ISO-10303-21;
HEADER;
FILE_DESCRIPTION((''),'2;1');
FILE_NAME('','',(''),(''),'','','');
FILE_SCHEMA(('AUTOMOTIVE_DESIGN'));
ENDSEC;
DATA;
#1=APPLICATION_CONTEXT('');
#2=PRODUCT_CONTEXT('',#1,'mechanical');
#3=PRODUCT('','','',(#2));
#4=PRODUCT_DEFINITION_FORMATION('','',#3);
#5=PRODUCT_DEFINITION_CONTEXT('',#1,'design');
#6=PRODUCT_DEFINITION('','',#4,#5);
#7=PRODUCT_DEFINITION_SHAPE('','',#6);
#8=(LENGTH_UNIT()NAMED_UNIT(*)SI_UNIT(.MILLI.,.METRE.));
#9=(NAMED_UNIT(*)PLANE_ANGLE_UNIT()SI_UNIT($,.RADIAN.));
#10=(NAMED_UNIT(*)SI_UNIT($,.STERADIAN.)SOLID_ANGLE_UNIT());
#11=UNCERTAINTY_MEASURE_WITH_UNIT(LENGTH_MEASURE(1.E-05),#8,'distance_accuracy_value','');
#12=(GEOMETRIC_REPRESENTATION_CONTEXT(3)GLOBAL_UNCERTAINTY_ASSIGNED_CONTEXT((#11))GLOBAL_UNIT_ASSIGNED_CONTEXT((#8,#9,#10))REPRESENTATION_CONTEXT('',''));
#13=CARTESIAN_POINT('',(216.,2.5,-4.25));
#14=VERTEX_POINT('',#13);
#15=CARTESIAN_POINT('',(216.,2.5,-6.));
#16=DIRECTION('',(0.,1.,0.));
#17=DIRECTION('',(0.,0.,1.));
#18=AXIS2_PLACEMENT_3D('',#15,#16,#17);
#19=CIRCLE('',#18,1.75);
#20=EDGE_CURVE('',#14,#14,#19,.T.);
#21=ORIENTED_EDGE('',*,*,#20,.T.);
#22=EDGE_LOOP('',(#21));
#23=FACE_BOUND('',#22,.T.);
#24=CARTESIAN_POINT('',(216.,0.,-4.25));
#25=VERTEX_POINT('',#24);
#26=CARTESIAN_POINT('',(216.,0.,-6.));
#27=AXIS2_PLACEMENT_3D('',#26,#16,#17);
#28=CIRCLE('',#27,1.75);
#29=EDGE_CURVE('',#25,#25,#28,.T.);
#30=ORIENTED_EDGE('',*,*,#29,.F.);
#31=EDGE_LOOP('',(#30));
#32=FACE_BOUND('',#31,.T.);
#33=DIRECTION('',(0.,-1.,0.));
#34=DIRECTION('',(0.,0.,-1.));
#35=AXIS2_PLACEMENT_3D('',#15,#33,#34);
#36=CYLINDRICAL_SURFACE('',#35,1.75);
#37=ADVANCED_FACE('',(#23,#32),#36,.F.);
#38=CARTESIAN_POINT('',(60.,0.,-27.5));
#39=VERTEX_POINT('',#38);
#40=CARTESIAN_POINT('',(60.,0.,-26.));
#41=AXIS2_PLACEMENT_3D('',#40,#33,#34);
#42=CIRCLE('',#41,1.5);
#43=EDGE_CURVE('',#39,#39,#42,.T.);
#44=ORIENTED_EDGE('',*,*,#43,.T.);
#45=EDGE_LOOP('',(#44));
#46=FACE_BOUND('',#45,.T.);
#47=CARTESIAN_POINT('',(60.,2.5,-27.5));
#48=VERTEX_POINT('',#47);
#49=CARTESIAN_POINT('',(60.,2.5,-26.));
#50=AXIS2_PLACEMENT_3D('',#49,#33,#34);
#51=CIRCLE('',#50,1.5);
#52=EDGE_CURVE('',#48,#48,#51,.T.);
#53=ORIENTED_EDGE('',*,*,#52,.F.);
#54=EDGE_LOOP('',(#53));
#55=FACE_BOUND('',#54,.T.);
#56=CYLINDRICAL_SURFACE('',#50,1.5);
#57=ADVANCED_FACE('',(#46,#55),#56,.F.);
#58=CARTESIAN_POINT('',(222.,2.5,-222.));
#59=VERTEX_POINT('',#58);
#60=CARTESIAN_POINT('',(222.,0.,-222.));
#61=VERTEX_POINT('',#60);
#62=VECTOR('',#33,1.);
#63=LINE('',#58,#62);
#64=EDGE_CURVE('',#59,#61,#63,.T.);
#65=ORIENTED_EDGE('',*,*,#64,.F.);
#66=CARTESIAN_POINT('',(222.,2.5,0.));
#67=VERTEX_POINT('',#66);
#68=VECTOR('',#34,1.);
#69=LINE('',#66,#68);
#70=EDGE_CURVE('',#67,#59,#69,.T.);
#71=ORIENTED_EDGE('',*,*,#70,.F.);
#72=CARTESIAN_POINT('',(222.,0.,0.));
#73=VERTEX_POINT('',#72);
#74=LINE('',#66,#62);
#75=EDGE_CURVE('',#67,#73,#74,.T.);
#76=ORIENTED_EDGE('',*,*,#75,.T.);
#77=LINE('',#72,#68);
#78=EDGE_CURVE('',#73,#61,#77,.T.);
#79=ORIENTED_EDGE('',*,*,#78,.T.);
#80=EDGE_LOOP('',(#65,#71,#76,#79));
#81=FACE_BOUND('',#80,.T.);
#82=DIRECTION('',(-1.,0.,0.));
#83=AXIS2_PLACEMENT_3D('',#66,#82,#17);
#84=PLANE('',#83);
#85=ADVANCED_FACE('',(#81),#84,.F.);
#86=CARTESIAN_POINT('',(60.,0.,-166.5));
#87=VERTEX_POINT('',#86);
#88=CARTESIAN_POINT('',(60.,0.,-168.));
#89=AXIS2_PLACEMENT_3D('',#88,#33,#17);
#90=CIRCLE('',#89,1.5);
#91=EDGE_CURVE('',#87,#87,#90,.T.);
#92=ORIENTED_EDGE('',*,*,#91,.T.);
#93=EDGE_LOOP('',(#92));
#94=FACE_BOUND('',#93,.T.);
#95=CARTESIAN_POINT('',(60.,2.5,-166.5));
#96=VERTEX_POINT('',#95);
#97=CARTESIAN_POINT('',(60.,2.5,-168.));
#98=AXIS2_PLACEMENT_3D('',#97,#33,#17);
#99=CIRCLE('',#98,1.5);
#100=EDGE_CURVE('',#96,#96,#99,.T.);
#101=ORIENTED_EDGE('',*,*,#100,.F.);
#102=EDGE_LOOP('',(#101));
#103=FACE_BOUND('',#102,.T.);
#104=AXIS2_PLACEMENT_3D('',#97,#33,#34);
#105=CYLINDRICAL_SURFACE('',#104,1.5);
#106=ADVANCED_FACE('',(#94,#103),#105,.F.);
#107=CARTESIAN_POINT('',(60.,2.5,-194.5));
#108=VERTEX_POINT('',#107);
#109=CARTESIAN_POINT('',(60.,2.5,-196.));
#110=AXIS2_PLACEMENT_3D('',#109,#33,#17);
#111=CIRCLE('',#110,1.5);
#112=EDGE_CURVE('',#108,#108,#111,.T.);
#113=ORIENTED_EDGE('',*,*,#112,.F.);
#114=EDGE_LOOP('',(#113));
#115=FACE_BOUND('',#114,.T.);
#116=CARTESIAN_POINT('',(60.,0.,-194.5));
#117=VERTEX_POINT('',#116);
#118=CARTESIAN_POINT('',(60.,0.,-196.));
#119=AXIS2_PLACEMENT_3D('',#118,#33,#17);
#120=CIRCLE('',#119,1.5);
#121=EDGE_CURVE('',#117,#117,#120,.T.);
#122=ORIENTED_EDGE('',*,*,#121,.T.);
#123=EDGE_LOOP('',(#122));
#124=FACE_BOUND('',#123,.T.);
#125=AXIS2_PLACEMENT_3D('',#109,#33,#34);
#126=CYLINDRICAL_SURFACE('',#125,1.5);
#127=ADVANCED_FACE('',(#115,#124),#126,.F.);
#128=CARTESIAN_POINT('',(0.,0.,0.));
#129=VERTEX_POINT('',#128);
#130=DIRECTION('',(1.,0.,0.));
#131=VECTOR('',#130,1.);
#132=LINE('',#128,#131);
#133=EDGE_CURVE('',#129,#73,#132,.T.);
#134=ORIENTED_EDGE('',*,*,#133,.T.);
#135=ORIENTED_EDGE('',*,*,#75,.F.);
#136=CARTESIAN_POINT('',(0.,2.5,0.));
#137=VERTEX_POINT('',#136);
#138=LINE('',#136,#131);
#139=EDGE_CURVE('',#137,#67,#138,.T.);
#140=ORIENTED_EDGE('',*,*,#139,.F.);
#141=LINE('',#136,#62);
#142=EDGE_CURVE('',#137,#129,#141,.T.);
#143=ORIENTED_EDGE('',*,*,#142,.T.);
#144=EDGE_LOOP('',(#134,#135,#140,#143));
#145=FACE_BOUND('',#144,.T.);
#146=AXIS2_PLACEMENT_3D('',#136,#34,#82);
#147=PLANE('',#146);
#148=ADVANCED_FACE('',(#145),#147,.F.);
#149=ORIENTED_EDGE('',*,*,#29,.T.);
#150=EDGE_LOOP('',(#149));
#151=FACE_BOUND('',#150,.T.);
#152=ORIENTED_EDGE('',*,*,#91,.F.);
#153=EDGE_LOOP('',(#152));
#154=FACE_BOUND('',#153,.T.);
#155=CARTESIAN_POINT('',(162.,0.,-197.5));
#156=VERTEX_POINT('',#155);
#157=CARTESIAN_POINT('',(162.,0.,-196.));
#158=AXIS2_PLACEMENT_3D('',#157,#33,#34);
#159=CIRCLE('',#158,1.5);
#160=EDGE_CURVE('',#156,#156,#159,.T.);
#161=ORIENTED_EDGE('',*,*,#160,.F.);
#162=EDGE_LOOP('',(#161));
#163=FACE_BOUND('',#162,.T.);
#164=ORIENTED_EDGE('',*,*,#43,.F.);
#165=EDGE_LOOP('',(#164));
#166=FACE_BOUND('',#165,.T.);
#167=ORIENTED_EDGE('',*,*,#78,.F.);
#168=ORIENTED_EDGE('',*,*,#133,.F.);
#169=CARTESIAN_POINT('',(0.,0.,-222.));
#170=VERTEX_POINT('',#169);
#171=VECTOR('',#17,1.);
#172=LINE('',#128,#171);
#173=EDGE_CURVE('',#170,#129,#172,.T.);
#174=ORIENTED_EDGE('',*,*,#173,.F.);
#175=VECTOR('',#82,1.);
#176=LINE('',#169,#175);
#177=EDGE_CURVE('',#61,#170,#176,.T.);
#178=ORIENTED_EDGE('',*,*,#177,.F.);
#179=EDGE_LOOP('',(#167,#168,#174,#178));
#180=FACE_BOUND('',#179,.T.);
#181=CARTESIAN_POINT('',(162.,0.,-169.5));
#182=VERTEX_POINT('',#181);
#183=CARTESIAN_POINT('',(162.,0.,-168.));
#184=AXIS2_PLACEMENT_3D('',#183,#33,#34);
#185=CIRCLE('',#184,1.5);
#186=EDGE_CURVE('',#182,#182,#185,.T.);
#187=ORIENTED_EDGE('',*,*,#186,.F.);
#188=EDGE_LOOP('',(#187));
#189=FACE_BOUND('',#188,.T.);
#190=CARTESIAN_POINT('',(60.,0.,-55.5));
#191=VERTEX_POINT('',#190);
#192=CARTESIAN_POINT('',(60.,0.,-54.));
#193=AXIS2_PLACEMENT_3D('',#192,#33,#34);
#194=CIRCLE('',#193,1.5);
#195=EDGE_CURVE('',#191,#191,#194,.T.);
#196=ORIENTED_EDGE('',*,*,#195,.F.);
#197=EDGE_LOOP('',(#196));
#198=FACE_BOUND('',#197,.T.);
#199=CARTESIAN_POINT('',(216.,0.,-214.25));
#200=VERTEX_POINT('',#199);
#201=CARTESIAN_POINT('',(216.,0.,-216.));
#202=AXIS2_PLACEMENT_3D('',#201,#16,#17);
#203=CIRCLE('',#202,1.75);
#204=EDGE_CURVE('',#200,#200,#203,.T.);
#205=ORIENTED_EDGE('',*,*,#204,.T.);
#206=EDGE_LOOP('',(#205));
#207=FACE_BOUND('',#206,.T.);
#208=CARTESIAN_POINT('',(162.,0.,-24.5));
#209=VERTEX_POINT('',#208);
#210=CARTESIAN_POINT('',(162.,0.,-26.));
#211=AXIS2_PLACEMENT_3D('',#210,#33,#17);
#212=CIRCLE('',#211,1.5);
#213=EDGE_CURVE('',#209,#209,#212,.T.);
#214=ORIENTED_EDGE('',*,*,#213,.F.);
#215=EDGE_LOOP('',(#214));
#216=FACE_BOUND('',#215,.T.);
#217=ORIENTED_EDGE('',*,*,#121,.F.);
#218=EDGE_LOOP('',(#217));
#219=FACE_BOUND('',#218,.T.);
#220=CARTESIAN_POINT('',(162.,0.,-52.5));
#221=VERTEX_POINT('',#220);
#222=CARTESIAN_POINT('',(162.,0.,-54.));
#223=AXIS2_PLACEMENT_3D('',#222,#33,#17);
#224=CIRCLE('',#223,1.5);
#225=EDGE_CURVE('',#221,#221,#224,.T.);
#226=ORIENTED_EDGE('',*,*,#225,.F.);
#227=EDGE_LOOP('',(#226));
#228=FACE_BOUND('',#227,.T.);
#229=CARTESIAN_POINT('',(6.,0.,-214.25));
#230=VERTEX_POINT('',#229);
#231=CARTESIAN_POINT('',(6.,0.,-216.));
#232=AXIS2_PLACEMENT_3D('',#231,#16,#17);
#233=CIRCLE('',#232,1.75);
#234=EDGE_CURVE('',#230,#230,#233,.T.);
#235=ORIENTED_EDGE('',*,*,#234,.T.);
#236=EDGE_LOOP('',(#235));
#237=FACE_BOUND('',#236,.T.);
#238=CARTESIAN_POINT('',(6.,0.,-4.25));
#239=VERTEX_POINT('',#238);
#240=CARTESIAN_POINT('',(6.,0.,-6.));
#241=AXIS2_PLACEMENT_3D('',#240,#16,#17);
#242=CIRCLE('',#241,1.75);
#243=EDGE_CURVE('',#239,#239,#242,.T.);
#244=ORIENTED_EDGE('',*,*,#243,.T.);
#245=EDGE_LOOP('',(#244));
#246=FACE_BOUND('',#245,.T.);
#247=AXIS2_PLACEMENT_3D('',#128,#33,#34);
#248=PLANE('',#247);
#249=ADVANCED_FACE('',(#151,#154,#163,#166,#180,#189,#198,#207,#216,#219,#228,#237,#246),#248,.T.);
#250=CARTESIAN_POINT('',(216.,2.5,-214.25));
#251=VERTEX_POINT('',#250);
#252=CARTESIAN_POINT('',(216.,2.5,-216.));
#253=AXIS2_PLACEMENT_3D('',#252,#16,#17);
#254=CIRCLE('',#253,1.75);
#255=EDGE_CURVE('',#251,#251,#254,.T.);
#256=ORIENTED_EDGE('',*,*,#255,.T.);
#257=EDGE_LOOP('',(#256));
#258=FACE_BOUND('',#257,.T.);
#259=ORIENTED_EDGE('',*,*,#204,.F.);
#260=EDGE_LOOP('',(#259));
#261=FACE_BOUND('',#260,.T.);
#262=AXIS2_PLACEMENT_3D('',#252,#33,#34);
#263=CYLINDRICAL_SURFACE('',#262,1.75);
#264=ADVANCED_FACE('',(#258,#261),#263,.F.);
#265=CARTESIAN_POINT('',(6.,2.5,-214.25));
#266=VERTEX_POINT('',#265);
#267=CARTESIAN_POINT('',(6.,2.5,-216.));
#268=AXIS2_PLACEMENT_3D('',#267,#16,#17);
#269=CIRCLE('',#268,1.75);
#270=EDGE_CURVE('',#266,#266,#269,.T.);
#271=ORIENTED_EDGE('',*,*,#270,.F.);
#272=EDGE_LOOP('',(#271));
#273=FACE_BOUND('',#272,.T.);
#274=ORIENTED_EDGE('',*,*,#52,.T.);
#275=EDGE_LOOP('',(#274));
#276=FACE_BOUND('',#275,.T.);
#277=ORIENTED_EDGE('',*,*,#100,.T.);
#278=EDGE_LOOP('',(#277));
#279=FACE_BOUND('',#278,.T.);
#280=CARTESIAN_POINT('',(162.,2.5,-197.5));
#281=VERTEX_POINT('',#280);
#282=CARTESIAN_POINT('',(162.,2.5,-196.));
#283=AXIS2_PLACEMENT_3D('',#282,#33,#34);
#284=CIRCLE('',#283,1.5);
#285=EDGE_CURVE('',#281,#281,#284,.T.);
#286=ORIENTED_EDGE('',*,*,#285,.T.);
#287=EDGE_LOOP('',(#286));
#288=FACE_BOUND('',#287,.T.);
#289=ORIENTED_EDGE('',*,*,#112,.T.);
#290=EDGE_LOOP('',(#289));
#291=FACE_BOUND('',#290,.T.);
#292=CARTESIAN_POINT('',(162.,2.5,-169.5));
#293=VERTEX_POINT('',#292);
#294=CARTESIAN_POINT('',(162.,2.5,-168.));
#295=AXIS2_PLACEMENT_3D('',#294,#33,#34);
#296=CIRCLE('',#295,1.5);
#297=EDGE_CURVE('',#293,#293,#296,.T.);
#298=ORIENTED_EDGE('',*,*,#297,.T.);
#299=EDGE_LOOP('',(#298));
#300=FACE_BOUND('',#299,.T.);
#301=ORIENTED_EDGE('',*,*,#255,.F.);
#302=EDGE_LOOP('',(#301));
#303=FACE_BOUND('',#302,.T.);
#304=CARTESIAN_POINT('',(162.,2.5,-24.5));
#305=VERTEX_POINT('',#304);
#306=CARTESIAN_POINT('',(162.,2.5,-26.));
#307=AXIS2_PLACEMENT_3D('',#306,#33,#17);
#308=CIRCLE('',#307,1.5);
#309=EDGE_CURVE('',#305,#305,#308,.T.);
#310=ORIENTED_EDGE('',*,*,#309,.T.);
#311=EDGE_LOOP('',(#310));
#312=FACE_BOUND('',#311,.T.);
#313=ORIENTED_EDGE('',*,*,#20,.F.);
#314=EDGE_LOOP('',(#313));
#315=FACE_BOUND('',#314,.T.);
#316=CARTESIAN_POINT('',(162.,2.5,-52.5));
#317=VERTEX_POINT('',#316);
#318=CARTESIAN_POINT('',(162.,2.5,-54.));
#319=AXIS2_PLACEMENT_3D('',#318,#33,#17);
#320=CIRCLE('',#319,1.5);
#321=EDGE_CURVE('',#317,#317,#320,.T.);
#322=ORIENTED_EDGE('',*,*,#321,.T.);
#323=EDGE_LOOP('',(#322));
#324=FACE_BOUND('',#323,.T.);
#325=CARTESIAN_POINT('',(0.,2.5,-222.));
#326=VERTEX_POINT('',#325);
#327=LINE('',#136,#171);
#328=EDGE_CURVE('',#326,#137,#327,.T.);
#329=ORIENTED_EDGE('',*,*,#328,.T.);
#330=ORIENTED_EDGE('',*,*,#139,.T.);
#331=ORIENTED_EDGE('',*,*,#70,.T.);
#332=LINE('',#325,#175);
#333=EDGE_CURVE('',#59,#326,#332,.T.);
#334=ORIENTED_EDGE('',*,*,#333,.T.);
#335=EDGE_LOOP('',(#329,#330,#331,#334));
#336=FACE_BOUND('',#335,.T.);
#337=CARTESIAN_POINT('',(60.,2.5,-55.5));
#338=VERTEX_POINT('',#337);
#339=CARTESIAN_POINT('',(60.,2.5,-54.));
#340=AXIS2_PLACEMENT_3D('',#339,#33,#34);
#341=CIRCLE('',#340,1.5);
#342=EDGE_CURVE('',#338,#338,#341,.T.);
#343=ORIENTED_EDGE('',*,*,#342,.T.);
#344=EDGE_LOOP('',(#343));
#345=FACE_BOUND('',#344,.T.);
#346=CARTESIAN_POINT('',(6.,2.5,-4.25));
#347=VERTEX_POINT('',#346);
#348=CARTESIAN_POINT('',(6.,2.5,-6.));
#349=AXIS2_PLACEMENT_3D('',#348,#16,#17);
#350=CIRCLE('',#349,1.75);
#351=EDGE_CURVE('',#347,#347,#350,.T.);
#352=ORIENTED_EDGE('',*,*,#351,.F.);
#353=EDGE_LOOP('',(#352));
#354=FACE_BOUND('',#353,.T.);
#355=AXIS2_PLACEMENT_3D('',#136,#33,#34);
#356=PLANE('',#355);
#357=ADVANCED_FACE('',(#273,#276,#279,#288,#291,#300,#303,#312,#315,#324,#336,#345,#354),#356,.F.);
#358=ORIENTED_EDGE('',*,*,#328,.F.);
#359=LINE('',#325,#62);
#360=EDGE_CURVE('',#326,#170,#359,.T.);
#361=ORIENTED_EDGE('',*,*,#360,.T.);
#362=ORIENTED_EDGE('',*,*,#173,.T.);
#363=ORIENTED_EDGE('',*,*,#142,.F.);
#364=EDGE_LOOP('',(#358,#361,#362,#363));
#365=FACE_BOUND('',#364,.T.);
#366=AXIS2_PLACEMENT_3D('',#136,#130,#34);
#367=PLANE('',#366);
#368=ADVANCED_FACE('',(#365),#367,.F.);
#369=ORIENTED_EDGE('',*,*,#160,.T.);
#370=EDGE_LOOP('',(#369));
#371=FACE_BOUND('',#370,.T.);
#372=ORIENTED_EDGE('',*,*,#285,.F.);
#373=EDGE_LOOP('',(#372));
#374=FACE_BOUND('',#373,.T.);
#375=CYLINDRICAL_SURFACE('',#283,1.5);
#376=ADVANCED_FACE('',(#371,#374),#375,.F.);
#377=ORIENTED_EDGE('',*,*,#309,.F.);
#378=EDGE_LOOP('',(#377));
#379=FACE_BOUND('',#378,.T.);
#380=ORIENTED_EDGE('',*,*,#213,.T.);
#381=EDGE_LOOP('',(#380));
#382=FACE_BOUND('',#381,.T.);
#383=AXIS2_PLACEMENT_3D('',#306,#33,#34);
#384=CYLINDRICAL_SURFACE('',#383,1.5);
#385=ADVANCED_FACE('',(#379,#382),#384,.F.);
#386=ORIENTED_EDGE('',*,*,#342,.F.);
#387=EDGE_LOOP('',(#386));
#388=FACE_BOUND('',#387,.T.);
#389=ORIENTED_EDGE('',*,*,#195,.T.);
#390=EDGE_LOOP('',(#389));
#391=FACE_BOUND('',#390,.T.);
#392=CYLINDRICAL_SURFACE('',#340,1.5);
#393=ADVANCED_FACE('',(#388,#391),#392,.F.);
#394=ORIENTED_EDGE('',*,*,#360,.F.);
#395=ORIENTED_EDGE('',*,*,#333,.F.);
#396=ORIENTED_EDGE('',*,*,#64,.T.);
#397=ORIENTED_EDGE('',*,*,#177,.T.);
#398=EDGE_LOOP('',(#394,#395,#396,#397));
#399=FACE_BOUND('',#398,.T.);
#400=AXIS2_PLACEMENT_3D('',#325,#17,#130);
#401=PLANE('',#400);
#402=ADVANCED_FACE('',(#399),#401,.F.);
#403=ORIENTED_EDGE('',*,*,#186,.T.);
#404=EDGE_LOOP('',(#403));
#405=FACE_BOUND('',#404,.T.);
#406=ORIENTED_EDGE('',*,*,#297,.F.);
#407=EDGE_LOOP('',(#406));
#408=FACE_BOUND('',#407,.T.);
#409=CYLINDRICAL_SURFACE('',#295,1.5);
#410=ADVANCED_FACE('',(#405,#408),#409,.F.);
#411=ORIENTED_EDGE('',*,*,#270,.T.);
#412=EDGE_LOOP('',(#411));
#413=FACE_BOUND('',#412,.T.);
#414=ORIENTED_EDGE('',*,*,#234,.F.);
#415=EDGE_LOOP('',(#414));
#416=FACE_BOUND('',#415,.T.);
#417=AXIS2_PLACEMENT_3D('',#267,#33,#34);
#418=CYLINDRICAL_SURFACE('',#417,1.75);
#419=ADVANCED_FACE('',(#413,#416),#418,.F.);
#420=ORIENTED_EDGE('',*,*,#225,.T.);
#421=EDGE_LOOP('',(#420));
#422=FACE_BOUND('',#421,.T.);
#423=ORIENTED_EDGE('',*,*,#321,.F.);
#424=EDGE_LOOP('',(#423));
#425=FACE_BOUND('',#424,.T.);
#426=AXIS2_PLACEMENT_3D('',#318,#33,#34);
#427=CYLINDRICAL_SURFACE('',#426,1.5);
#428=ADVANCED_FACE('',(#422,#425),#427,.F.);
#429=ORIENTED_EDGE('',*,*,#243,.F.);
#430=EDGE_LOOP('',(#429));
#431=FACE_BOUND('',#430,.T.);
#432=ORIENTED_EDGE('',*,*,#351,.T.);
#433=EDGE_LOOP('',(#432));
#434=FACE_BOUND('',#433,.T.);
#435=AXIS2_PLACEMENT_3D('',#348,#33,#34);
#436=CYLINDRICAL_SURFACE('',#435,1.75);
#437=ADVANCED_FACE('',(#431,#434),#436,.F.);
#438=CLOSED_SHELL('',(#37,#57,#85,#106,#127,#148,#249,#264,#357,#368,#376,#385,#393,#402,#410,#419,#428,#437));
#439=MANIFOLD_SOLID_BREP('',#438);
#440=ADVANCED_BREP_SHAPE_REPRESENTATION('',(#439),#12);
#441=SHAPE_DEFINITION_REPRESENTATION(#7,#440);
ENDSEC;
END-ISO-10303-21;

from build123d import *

# Parameters (mm, degrees)
SKETCH_1_W          = 222
SKETCH_1_H          = 222
SKETCH_1_R          = 1.75
EXTRUDE_1_DEPTH     = 2.5
SKETCH_2_R          = 1.5
CUT_EXTRUDE_1_DEPTH = 314.965364332


with BuildPart() as part:
    # 草图1 → 凸台-拉伸1 (new body)
    with BuildSketch(Plane(origin=(0, 0, 0), x_dir=(1, 0, 0), z_dir=(0, 1, 0))):
        with Locations((111, 111)):
            Rectangle(SKETCH_1_W, SKETCH_1_H)
        with Locations(Location((6, 6, 0), (0, 0, 270))):
            Circle(SKETCH_1_R, mode=Mode.SUBTRACT)
        with Locations(Location((216, 6, 0), (0, 0, 270))):
            Circle(SKETCH_1_R, mode=Mode.SUBTRACT)
        with Locations(Location((216, 216, 0), (0, 0, 270))):
            Circle(SKETCH_1_R, mode=Mode.SUBTRACT)
        with Locations(Location((6, 216, 0), (0, 0, 270))):
            Circle(SKETCH_1_R, mode=Mode.SUBTRACT)
    extrude(amount=EXTRUDE_1_DEPTH)

    # 草图2 → 切除-拉伸1 (cut, through all)
    with BuildSketch(Plane.XZ):
        with Locations(Location((60, -26, 0), (0, 0, 270))):
            Circle(SKETCH_2_R)
        with Locations(Location((60, -54, 0), (0, 0, 270))):
            Circle(SKETCH_2_R)
        with Locations(Location((60, -168, 0), (0, 0, 90))):
            Circle(SKETCH_2_R)
        with Locations(Location((60, -196, 0), (0, 0, 90))):
            Circle(SKETCH_2_R)
        with Locations(Location((162, -196, 0), (0, 0, 270))):
            Circle(SKETCH_2_R)
        with Locations(Location((162, -168, 0), (0, 0, 270))):
            Circle(SKETCH_2_R)
        with Locations(Location((162, -54, 0), (0, 0, 90))):
            Circle(SKETCH_2_R)
        with Locations(Location((162, -26, 0), (0, 0, 90))):
            Circle(SKETCH_2_R)
    extrude(amount=-CUT_EXTRUDE_1_DEPTH, mode=Mode.SUBTRACT)


solid = part.part
